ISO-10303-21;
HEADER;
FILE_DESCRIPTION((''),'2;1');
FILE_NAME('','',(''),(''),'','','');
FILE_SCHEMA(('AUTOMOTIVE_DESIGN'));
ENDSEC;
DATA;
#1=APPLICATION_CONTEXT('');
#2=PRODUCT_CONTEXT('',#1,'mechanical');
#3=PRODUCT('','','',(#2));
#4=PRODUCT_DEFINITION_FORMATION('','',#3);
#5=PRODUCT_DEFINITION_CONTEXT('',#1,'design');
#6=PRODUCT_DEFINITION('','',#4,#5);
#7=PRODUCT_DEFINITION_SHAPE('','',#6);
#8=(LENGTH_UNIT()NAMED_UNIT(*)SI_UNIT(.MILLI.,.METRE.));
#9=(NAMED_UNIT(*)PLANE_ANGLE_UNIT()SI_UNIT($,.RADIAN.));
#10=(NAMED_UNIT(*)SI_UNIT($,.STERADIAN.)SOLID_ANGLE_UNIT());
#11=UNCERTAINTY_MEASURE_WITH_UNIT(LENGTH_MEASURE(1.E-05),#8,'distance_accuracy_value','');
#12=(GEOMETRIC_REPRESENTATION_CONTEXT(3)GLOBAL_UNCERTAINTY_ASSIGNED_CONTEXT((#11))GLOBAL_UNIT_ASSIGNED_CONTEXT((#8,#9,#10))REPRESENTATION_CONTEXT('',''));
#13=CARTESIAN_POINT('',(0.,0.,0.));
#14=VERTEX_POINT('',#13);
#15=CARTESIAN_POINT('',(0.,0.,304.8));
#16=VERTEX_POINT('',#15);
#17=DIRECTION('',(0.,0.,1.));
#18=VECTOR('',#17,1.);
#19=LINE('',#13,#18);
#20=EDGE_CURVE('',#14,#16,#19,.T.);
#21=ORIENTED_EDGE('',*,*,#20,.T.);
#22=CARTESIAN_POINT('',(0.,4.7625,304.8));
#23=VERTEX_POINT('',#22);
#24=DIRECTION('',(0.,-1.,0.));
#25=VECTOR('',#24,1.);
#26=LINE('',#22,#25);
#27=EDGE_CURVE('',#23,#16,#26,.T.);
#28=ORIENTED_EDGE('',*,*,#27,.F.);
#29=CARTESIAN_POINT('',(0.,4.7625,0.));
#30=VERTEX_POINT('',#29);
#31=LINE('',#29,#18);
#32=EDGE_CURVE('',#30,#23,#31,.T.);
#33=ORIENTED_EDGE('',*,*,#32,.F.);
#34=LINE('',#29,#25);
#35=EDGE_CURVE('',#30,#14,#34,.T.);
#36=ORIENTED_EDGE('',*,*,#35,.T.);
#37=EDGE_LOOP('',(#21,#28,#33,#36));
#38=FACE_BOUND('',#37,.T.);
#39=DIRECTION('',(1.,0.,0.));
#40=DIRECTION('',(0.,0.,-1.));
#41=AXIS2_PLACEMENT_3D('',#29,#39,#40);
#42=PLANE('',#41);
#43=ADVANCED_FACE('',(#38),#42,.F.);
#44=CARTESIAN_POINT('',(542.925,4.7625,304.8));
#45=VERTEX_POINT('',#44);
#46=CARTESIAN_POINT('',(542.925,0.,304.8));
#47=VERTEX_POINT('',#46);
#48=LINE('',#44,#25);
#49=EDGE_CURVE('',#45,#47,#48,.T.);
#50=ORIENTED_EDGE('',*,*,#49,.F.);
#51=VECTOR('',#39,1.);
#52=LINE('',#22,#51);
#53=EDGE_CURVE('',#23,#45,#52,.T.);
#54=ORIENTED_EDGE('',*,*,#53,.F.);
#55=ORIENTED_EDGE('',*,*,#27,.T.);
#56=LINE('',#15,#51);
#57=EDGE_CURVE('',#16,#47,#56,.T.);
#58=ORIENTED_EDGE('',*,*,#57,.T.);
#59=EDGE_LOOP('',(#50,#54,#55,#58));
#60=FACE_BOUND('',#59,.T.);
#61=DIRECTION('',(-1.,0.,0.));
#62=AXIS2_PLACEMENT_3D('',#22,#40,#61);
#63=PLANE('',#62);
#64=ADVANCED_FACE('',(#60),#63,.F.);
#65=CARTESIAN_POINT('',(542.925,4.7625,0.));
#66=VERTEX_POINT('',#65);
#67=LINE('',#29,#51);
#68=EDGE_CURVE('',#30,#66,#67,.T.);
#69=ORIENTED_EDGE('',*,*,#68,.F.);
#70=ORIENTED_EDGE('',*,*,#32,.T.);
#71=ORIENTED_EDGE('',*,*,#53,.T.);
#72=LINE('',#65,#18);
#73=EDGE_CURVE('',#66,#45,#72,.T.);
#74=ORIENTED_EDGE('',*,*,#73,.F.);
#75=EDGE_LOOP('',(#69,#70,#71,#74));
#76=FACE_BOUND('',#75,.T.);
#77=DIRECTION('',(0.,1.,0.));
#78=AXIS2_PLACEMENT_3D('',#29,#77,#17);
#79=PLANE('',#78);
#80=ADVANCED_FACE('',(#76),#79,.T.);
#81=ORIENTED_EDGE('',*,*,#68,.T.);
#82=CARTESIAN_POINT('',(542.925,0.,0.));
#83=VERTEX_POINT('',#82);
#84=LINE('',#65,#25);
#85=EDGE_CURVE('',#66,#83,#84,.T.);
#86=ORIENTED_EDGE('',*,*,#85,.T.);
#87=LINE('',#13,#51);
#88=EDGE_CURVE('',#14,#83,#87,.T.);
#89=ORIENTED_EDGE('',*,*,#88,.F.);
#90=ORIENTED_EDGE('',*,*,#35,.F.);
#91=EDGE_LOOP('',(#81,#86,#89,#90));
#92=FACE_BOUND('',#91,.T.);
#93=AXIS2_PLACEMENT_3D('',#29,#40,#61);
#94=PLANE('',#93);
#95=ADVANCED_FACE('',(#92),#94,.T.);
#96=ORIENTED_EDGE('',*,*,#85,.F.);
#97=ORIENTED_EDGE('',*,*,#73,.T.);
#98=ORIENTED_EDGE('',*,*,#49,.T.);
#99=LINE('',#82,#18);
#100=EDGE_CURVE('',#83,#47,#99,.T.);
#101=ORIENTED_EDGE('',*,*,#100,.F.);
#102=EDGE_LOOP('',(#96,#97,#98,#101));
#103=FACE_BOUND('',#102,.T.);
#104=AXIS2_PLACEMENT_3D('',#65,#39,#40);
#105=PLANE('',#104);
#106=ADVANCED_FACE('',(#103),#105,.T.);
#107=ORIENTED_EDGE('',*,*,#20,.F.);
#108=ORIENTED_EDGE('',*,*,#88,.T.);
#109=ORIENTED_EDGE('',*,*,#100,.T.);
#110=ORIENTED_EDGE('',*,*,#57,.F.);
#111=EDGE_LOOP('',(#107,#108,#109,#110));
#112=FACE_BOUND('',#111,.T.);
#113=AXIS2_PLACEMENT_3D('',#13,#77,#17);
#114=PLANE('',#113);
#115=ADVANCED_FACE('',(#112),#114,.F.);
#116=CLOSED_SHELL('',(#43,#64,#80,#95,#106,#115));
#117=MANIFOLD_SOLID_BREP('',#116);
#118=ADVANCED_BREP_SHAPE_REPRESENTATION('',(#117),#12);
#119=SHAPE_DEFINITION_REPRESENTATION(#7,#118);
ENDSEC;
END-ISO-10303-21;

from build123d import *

# Parameters (mm, degrees)
SKETCH1_W           = 542.925
SKETCH1_H           = 304.8
BOSS_EXTRUDE1_DEPTH = 4.7625


with BuildPart() as part:
    # Sketch1 → Boss-Extrude1 (new body)
    with BuildSketch(Plane(origin=(0, 0, 0), x_dir=(1, 0, 0), z_dir=(0, 1, 0))):
        with Locations((271.4625, -152.4)):
            Rectangle(SKETCH1_W, SKETCH1_H)
    extrude(amount=BOSS_EXTRUDE1_DEPTH)


solid = part.part
